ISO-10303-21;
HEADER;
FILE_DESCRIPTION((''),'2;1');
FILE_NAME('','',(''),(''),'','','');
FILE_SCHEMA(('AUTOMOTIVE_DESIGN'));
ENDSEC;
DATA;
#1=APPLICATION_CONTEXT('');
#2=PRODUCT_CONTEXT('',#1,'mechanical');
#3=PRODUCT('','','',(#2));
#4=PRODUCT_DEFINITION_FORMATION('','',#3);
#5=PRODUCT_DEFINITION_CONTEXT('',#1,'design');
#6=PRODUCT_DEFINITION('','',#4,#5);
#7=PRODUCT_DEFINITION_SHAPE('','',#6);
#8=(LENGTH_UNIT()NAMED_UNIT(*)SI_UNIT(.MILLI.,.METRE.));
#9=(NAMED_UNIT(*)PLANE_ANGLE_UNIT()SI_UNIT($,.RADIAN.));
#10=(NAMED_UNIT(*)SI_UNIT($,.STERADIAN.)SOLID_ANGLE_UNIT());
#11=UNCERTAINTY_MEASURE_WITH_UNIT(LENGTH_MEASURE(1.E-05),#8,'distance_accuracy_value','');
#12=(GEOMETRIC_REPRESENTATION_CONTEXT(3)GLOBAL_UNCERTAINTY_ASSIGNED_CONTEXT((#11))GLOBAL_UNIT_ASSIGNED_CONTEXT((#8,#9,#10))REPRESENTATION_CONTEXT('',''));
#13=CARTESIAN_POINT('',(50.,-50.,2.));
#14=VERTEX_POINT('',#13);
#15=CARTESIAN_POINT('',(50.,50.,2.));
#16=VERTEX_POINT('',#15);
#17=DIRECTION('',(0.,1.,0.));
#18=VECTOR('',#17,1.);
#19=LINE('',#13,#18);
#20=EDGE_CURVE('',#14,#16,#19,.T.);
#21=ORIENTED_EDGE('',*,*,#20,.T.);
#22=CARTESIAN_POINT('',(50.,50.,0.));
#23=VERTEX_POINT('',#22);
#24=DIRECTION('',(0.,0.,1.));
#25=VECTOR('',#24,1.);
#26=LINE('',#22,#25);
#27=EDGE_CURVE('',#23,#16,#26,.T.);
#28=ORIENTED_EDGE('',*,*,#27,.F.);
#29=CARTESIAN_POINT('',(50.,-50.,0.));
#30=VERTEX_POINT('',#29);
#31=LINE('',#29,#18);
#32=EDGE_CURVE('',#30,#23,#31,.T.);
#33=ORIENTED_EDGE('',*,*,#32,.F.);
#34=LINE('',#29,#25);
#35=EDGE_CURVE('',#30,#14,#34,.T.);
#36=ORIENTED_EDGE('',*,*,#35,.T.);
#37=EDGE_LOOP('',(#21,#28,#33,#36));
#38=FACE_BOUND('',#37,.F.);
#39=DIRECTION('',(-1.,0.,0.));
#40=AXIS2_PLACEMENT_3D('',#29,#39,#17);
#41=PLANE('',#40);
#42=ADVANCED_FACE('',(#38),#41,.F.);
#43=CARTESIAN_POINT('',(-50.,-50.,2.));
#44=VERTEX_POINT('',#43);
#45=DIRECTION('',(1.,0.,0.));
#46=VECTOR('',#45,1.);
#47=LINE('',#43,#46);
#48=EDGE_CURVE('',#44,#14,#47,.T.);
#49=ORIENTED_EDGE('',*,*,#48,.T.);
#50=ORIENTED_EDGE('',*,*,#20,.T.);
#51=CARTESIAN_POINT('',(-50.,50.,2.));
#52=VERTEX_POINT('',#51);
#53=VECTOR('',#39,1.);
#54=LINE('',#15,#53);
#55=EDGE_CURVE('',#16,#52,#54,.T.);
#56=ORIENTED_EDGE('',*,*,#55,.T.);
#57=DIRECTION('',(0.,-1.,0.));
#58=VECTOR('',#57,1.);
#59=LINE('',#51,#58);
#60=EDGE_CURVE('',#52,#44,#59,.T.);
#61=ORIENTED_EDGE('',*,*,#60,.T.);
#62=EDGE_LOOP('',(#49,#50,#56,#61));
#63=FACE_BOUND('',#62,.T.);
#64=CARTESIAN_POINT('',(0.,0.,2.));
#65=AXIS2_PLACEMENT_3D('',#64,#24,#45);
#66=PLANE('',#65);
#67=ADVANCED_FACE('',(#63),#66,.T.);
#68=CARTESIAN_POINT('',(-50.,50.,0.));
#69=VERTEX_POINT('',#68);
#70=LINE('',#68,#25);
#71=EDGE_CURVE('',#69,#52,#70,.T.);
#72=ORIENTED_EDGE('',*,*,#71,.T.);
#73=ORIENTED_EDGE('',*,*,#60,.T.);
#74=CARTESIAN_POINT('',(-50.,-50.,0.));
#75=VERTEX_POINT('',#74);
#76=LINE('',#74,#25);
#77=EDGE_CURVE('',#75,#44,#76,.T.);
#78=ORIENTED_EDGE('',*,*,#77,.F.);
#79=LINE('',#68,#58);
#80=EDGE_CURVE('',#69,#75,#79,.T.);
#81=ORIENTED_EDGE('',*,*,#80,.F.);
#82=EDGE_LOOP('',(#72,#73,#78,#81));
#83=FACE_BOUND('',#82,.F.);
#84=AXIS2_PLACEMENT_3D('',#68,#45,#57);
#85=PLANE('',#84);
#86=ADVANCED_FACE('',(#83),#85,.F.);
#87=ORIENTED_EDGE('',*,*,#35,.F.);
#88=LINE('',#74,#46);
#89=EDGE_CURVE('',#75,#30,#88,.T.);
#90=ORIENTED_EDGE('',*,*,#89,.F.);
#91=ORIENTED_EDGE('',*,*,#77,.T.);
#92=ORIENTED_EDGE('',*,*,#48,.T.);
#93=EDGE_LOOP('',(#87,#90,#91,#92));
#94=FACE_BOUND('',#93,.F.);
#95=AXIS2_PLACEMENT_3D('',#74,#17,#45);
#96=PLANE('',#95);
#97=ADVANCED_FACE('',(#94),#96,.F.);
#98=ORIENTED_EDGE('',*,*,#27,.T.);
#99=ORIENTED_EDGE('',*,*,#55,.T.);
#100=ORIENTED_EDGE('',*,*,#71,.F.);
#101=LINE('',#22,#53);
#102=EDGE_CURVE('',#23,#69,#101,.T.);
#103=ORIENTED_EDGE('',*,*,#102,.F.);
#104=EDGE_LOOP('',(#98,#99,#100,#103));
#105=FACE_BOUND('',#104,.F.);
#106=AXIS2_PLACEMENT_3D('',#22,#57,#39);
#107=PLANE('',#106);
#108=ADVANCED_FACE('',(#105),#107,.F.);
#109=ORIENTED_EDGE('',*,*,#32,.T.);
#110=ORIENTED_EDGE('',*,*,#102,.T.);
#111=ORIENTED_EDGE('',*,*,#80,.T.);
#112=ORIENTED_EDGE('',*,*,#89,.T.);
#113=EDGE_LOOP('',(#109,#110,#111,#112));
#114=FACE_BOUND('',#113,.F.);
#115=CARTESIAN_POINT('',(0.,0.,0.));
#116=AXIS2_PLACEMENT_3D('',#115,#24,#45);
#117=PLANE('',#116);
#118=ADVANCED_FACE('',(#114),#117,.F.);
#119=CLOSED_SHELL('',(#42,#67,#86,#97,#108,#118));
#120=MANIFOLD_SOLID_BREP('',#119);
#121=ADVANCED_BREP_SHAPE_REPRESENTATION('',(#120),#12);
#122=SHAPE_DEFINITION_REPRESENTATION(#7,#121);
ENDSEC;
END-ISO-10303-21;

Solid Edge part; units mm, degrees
sketch "Sketch1" plane through (0, 0, 0) normal (0, 0, 1) x (1, 0, 0)
  line L0 (50, -50) -> (50, 50)
  line L1 (50, 50) -> (-50, 50)
  line L2 (-50, 50) -> (-50, -50)
  line L3 (-50, -50) -> (50, -50)
extrude "Protrusion1" add sketch "Sketch1" along normal blind 2
